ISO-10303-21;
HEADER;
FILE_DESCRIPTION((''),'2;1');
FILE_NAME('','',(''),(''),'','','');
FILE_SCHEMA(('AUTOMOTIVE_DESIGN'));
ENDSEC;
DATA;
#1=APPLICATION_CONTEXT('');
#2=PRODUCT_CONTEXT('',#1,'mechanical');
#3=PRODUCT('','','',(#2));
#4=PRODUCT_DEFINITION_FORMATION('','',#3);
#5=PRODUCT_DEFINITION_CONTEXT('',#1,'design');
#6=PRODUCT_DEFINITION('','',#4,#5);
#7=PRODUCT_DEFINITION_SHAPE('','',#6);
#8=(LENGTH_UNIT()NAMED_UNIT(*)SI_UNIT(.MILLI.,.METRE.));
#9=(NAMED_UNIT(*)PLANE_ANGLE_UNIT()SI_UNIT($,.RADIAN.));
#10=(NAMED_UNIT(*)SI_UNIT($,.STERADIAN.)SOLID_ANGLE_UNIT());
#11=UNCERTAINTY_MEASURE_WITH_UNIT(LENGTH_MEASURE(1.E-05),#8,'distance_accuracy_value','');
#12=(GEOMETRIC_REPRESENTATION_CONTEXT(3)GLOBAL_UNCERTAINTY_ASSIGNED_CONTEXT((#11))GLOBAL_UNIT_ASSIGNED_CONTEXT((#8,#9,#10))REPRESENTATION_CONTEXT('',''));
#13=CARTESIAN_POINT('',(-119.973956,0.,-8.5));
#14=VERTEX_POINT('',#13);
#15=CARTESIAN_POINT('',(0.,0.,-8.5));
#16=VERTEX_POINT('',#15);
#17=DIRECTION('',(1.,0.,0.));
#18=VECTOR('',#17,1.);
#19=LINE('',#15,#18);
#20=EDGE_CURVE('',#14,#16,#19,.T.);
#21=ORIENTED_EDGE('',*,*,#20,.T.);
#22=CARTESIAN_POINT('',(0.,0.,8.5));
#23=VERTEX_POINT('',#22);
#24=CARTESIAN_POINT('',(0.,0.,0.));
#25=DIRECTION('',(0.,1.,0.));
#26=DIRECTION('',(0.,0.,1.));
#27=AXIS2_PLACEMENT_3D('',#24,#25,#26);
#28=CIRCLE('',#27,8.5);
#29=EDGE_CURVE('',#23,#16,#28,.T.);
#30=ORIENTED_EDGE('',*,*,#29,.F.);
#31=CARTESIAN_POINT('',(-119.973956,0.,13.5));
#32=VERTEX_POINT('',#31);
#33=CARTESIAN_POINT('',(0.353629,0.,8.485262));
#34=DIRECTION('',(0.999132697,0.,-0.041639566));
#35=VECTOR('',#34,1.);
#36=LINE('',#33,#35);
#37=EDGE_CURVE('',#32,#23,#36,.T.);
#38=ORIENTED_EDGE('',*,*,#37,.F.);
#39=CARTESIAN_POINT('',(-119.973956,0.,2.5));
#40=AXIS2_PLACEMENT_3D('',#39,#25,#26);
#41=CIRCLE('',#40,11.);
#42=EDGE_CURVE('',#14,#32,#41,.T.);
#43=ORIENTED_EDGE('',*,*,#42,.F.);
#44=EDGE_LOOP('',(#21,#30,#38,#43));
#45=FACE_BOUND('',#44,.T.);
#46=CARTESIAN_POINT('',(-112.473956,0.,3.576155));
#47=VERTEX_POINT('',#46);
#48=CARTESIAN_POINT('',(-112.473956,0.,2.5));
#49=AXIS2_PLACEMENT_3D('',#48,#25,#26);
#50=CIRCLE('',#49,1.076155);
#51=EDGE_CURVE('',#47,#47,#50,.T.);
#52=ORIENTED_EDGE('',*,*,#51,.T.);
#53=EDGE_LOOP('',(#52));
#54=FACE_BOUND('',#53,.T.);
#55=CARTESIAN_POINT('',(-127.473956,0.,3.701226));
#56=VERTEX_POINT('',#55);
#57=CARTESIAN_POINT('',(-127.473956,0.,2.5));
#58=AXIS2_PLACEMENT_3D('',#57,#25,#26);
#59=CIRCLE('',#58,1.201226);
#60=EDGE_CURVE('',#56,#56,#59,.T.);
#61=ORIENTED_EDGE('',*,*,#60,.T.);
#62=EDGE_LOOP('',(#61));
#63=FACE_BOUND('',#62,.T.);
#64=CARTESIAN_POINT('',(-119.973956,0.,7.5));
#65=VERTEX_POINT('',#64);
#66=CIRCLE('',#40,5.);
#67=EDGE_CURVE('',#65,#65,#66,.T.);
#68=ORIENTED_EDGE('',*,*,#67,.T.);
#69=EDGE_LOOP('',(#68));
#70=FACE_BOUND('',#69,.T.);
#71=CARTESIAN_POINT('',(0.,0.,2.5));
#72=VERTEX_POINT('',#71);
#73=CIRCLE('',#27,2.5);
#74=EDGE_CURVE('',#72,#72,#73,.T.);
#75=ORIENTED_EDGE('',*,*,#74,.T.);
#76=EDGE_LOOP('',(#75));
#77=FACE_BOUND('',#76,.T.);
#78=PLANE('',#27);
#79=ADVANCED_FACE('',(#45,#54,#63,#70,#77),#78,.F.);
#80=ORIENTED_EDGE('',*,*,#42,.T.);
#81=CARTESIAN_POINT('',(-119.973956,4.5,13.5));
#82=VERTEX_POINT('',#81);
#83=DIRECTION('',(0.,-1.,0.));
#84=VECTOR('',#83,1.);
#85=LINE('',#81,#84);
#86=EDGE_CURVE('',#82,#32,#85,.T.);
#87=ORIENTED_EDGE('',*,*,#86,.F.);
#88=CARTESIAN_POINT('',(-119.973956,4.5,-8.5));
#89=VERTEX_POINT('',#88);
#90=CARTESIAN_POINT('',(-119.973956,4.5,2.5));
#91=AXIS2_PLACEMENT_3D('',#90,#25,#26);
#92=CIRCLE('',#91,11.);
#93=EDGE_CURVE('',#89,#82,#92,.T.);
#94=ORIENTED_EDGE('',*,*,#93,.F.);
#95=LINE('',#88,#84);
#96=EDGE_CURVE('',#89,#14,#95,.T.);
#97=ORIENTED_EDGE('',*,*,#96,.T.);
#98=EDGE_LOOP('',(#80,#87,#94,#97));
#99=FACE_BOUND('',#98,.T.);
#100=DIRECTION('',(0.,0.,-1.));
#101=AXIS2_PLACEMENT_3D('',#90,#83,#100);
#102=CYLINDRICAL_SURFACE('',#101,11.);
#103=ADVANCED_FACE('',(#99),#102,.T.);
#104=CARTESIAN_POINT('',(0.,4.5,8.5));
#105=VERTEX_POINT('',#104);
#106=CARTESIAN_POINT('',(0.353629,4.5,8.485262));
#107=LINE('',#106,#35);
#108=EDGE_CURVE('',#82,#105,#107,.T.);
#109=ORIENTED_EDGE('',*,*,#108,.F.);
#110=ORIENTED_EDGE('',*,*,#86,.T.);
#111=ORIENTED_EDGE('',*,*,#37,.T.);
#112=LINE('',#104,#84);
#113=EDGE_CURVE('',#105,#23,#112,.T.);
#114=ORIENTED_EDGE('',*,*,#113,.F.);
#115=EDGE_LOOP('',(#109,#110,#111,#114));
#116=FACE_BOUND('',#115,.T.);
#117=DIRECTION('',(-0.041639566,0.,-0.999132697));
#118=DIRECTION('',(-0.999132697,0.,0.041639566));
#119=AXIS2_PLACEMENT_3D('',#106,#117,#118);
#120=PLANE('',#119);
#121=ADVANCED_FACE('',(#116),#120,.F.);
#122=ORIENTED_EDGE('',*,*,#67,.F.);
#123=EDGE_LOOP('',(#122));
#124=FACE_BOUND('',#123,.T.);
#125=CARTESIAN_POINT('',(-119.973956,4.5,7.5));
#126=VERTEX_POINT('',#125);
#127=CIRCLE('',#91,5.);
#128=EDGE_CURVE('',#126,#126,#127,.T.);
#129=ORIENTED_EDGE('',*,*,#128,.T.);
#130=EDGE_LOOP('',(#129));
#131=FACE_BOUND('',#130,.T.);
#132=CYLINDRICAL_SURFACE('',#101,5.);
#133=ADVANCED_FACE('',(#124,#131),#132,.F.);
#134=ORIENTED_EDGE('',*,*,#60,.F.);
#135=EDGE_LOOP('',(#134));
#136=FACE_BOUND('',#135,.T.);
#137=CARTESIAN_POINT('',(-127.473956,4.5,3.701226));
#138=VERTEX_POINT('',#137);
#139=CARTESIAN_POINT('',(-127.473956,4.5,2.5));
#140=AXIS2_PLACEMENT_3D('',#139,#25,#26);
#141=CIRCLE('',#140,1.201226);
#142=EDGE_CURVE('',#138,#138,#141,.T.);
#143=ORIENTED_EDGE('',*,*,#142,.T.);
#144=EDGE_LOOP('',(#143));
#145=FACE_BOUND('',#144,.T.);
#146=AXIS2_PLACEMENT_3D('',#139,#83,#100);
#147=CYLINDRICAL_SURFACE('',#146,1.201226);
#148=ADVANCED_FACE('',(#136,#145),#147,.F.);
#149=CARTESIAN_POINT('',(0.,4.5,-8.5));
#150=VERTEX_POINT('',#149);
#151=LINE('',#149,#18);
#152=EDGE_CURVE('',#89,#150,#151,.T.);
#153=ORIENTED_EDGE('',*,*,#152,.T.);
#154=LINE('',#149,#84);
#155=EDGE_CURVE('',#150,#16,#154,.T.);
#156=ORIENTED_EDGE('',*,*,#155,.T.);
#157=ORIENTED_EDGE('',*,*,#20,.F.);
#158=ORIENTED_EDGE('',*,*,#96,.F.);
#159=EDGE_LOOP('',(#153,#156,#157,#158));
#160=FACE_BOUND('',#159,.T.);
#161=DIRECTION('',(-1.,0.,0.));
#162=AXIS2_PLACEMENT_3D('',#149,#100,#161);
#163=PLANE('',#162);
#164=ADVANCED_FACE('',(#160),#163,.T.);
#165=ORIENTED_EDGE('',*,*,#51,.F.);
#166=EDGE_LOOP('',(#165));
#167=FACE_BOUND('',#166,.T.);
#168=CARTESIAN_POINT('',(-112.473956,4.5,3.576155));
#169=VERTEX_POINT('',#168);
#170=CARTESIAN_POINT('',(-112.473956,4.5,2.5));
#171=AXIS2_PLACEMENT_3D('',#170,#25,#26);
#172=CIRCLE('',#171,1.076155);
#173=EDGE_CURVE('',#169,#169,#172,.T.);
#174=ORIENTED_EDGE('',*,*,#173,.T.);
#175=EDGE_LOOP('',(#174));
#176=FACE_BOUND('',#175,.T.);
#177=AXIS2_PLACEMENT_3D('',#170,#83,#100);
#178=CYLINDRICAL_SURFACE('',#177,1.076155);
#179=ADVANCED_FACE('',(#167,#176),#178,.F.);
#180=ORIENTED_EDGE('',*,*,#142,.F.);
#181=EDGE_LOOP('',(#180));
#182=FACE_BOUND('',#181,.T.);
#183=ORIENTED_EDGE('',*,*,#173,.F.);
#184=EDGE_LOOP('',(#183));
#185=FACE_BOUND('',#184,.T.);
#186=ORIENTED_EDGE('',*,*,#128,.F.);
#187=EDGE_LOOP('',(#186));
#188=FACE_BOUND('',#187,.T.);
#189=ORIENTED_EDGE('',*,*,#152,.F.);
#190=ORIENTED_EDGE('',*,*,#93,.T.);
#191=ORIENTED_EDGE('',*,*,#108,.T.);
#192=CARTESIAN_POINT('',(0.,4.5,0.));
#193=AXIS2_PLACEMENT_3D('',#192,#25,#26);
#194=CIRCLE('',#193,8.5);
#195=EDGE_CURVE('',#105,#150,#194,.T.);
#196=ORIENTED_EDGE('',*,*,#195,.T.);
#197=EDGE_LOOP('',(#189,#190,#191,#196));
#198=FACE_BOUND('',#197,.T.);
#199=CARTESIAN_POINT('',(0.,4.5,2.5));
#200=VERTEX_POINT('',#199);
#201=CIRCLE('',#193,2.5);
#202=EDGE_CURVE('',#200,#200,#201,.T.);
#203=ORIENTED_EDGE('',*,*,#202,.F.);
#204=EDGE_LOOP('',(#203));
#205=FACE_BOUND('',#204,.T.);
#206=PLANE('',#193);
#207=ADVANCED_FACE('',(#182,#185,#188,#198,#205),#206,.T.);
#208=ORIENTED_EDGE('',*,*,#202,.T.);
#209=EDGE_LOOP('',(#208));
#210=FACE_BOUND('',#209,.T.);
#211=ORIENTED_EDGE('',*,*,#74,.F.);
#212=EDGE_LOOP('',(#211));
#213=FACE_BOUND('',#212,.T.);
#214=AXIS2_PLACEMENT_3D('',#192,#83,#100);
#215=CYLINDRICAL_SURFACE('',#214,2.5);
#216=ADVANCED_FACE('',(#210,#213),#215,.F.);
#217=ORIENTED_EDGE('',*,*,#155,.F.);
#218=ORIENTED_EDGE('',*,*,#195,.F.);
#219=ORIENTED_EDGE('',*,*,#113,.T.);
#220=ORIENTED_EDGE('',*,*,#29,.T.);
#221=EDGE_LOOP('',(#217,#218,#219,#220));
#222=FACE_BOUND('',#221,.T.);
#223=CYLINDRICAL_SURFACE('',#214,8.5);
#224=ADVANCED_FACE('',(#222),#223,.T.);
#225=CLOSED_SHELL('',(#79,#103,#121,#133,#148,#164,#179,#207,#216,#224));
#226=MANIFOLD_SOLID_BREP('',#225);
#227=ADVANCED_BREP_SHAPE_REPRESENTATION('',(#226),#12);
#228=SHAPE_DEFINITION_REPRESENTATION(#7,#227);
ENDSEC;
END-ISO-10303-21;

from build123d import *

# Parameters (mm, degrees)
SKETCH1_R           = 5
SKETCH1_R_2         = 1.076155189
SKETCH1_R_3         = 1.201226456
SKETCH1_R_4         = 2.5
BOSS_EXTRUDE2_DEPTH = 4.5


with BuildPart() as part:
    # Sketch1 → Boss-Extrude2 (new body)
    with BuildSketch(Plane(origin=(0, 0, 0), x_dir=(1, 0, 0), z_dir=(0, 1, 0))):
        with BuildLine():
            Line((0, 8.5), (-119.973955507, 8.5))
            ThreePointArc((-119.973955507, 8.5), (-130.973955507, -2.5), (-119.973955507, -13.5))
            Line((-119.973955507, -13.5), (0, -8.5))
            ThreePointArc((0, -8.5), (8.5, 0), (0, 8.5))
        make_face()
        with Locations(Location((-119.973955507, -2.5, 0), (0, 0, 270))):
            Circle(SKETCH1_R, mode=Mode.SUBTRACT)
        with Locations(Location((-112.473955507, -2.5, 0), (0, 0, 270))):
            Circle(SKETCH1_R_2, mode=Mode.SUBTRACT)
        with Locations(Location((-127.473955507, -2.5, 0), (0, 0, 270))):
            Circle(SKETCH1_R_3, mode=Mode.SUBTRACT)
        with Locations(Location((0, 0, 0), (0, 0, 270))):
            Circle(SKETCH1_R_4, mode=Mode.SUBTRACT)
    extrude(amount=BOSS_EXTRUDE2_DEPTH)


solid = part.part
